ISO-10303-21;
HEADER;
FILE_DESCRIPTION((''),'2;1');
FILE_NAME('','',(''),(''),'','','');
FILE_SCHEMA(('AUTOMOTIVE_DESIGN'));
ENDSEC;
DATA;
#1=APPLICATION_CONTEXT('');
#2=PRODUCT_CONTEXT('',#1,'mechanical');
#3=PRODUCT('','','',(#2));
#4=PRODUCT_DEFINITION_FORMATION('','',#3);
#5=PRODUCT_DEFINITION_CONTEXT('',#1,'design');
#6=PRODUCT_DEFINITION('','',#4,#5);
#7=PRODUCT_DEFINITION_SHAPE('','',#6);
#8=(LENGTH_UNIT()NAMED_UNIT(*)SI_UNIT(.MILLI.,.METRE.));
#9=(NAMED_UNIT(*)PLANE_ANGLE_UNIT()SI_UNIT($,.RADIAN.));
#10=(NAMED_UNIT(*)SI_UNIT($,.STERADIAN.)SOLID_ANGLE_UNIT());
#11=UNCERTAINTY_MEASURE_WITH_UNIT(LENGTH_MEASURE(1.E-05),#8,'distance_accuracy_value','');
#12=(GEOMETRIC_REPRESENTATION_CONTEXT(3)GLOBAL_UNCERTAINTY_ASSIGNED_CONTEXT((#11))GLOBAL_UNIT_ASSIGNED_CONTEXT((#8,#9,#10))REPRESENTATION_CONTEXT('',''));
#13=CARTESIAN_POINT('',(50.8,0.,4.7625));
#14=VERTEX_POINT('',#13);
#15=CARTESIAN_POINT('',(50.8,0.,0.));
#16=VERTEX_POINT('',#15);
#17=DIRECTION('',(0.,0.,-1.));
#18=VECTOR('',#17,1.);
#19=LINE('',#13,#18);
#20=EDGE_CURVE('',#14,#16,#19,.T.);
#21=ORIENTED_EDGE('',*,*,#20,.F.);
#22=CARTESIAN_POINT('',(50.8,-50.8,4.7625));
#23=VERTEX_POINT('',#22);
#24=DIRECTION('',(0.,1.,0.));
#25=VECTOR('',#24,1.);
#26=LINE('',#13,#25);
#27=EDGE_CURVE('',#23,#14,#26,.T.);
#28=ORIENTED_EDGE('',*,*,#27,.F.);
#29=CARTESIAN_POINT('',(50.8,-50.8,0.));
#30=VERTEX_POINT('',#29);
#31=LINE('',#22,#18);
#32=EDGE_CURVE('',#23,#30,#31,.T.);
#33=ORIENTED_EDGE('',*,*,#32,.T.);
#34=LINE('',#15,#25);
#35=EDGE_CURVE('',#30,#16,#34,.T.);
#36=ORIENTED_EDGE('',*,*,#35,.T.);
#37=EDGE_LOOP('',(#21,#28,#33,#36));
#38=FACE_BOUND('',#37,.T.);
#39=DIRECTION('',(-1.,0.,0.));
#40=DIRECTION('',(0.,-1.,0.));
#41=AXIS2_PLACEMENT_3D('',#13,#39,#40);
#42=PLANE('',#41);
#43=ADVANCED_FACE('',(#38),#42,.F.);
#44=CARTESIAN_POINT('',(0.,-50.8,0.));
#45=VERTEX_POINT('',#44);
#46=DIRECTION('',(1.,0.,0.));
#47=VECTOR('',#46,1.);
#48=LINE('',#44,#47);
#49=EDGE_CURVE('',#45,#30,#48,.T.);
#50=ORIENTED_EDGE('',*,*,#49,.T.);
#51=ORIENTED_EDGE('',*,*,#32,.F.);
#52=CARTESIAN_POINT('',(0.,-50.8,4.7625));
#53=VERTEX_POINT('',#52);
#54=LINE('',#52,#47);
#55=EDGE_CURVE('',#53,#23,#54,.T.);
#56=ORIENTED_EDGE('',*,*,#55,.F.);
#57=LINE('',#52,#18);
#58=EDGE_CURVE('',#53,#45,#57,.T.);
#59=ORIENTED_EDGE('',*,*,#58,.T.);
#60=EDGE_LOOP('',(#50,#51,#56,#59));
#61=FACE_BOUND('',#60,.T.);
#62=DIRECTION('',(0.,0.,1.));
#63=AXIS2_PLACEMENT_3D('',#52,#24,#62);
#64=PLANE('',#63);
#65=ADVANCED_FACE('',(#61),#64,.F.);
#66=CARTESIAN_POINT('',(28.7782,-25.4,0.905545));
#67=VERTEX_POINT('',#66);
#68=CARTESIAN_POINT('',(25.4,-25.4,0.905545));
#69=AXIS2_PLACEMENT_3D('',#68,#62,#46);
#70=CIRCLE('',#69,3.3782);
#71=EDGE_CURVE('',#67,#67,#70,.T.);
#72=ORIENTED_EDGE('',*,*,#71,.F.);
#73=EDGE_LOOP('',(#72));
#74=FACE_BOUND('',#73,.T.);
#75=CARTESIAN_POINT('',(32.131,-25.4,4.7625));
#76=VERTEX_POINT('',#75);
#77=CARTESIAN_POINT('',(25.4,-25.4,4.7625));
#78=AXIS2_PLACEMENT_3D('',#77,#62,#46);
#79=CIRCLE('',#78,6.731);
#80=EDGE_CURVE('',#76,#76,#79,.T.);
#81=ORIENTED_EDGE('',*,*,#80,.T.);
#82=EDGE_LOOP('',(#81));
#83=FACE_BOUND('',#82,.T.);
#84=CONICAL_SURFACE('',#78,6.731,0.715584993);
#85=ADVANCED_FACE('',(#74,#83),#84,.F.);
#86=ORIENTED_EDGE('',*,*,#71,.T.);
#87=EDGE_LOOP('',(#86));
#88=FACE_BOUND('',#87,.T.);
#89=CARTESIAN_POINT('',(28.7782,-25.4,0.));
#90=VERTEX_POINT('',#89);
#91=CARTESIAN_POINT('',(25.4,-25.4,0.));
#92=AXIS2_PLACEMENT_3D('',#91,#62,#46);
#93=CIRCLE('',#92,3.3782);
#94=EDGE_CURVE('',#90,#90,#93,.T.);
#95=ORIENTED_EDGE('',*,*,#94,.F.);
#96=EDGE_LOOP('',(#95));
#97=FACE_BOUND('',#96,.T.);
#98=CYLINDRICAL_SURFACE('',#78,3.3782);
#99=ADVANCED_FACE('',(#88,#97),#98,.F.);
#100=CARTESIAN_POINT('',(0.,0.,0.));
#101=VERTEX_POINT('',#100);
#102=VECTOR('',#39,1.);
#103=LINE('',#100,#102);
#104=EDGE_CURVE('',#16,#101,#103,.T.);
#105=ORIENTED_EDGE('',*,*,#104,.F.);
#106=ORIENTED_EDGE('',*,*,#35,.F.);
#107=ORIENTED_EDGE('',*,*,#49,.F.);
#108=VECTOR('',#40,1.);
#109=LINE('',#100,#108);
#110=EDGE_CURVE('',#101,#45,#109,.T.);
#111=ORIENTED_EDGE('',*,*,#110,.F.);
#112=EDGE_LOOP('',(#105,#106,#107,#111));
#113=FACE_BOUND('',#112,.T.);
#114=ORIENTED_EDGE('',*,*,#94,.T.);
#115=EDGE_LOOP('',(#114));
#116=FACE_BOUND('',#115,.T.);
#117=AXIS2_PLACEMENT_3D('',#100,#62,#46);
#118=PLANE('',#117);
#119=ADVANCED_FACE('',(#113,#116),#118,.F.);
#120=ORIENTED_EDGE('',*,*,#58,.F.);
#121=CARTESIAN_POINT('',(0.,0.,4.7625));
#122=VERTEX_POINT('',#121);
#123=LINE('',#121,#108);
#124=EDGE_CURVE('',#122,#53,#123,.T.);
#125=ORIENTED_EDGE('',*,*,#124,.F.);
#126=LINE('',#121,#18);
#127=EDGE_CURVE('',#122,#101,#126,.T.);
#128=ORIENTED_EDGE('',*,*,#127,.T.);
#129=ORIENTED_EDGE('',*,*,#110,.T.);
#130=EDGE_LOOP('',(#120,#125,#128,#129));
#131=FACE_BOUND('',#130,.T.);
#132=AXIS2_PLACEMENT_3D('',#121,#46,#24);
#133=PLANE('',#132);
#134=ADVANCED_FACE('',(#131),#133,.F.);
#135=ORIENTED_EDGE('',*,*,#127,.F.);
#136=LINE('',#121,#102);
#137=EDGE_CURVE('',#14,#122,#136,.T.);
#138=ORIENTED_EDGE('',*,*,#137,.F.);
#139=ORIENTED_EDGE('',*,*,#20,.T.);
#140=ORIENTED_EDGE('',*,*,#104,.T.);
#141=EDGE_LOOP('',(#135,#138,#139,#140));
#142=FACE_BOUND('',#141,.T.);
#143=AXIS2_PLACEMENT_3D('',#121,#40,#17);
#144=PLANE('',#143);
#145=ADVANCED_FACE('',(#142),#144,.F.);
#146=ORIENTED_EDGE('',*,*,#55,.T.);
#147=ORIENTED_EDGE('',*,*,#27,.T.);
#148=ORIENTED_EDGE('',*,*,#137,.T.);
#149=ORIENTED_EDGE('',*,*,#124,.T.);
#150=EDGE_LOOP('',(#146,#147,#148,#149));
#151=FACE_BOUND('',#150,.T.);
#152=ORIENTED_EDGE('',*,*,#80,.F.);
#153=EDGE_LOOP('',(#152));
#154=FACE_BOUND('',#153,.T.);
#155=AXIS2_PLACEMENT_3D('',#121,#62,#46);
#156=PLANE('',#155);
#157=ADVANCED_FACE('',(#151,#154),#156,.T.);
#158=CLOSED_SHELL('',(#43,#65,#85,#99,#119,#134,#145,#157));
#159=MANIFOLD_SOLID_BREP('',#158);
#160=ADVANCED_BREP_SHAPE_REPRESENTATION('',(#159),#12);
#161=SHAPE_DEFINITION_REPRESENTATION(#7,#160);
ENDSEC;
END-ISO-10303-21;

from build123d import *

# Parameters (mm, degrees)
SKETCH1_W           = 50.8
SKETCH1_H           = 50.8
BOSS_EXTRUDE1_DEPTH = 4.7625


with BuildPart() as part:
    # Sketch1 → Boss-Extrude1 (new body)
    with BuildSketch(Plane.XY):
        with Locations((25.4, -25.4)):
            Rectangle(SKETCH1_W, SKETCH1_H)
    extrude(amount=BOSS_EXTRUDE1_DEPTH)

    # Sketch4 → CSK for 1/4 Flat Head Machine Screw (100)1 (revolve, cut)
    with BuildSketch(Plane(origin=(25.4, -25.4, 4.7625), x_dir=(0, -1, 0), z_dir=(1, 0, 0))):
        Polygon((0, 0), (0, 4.7625), (3.3782, 4.7625), (3.3782, 3.856955196), (6.731, 0), align=None)
    revolve(axis=Axis((25.4, -25.4, 11.1125), (0, 0, -1)), mode=Mode.SUBTRACT)


solid = part.part
